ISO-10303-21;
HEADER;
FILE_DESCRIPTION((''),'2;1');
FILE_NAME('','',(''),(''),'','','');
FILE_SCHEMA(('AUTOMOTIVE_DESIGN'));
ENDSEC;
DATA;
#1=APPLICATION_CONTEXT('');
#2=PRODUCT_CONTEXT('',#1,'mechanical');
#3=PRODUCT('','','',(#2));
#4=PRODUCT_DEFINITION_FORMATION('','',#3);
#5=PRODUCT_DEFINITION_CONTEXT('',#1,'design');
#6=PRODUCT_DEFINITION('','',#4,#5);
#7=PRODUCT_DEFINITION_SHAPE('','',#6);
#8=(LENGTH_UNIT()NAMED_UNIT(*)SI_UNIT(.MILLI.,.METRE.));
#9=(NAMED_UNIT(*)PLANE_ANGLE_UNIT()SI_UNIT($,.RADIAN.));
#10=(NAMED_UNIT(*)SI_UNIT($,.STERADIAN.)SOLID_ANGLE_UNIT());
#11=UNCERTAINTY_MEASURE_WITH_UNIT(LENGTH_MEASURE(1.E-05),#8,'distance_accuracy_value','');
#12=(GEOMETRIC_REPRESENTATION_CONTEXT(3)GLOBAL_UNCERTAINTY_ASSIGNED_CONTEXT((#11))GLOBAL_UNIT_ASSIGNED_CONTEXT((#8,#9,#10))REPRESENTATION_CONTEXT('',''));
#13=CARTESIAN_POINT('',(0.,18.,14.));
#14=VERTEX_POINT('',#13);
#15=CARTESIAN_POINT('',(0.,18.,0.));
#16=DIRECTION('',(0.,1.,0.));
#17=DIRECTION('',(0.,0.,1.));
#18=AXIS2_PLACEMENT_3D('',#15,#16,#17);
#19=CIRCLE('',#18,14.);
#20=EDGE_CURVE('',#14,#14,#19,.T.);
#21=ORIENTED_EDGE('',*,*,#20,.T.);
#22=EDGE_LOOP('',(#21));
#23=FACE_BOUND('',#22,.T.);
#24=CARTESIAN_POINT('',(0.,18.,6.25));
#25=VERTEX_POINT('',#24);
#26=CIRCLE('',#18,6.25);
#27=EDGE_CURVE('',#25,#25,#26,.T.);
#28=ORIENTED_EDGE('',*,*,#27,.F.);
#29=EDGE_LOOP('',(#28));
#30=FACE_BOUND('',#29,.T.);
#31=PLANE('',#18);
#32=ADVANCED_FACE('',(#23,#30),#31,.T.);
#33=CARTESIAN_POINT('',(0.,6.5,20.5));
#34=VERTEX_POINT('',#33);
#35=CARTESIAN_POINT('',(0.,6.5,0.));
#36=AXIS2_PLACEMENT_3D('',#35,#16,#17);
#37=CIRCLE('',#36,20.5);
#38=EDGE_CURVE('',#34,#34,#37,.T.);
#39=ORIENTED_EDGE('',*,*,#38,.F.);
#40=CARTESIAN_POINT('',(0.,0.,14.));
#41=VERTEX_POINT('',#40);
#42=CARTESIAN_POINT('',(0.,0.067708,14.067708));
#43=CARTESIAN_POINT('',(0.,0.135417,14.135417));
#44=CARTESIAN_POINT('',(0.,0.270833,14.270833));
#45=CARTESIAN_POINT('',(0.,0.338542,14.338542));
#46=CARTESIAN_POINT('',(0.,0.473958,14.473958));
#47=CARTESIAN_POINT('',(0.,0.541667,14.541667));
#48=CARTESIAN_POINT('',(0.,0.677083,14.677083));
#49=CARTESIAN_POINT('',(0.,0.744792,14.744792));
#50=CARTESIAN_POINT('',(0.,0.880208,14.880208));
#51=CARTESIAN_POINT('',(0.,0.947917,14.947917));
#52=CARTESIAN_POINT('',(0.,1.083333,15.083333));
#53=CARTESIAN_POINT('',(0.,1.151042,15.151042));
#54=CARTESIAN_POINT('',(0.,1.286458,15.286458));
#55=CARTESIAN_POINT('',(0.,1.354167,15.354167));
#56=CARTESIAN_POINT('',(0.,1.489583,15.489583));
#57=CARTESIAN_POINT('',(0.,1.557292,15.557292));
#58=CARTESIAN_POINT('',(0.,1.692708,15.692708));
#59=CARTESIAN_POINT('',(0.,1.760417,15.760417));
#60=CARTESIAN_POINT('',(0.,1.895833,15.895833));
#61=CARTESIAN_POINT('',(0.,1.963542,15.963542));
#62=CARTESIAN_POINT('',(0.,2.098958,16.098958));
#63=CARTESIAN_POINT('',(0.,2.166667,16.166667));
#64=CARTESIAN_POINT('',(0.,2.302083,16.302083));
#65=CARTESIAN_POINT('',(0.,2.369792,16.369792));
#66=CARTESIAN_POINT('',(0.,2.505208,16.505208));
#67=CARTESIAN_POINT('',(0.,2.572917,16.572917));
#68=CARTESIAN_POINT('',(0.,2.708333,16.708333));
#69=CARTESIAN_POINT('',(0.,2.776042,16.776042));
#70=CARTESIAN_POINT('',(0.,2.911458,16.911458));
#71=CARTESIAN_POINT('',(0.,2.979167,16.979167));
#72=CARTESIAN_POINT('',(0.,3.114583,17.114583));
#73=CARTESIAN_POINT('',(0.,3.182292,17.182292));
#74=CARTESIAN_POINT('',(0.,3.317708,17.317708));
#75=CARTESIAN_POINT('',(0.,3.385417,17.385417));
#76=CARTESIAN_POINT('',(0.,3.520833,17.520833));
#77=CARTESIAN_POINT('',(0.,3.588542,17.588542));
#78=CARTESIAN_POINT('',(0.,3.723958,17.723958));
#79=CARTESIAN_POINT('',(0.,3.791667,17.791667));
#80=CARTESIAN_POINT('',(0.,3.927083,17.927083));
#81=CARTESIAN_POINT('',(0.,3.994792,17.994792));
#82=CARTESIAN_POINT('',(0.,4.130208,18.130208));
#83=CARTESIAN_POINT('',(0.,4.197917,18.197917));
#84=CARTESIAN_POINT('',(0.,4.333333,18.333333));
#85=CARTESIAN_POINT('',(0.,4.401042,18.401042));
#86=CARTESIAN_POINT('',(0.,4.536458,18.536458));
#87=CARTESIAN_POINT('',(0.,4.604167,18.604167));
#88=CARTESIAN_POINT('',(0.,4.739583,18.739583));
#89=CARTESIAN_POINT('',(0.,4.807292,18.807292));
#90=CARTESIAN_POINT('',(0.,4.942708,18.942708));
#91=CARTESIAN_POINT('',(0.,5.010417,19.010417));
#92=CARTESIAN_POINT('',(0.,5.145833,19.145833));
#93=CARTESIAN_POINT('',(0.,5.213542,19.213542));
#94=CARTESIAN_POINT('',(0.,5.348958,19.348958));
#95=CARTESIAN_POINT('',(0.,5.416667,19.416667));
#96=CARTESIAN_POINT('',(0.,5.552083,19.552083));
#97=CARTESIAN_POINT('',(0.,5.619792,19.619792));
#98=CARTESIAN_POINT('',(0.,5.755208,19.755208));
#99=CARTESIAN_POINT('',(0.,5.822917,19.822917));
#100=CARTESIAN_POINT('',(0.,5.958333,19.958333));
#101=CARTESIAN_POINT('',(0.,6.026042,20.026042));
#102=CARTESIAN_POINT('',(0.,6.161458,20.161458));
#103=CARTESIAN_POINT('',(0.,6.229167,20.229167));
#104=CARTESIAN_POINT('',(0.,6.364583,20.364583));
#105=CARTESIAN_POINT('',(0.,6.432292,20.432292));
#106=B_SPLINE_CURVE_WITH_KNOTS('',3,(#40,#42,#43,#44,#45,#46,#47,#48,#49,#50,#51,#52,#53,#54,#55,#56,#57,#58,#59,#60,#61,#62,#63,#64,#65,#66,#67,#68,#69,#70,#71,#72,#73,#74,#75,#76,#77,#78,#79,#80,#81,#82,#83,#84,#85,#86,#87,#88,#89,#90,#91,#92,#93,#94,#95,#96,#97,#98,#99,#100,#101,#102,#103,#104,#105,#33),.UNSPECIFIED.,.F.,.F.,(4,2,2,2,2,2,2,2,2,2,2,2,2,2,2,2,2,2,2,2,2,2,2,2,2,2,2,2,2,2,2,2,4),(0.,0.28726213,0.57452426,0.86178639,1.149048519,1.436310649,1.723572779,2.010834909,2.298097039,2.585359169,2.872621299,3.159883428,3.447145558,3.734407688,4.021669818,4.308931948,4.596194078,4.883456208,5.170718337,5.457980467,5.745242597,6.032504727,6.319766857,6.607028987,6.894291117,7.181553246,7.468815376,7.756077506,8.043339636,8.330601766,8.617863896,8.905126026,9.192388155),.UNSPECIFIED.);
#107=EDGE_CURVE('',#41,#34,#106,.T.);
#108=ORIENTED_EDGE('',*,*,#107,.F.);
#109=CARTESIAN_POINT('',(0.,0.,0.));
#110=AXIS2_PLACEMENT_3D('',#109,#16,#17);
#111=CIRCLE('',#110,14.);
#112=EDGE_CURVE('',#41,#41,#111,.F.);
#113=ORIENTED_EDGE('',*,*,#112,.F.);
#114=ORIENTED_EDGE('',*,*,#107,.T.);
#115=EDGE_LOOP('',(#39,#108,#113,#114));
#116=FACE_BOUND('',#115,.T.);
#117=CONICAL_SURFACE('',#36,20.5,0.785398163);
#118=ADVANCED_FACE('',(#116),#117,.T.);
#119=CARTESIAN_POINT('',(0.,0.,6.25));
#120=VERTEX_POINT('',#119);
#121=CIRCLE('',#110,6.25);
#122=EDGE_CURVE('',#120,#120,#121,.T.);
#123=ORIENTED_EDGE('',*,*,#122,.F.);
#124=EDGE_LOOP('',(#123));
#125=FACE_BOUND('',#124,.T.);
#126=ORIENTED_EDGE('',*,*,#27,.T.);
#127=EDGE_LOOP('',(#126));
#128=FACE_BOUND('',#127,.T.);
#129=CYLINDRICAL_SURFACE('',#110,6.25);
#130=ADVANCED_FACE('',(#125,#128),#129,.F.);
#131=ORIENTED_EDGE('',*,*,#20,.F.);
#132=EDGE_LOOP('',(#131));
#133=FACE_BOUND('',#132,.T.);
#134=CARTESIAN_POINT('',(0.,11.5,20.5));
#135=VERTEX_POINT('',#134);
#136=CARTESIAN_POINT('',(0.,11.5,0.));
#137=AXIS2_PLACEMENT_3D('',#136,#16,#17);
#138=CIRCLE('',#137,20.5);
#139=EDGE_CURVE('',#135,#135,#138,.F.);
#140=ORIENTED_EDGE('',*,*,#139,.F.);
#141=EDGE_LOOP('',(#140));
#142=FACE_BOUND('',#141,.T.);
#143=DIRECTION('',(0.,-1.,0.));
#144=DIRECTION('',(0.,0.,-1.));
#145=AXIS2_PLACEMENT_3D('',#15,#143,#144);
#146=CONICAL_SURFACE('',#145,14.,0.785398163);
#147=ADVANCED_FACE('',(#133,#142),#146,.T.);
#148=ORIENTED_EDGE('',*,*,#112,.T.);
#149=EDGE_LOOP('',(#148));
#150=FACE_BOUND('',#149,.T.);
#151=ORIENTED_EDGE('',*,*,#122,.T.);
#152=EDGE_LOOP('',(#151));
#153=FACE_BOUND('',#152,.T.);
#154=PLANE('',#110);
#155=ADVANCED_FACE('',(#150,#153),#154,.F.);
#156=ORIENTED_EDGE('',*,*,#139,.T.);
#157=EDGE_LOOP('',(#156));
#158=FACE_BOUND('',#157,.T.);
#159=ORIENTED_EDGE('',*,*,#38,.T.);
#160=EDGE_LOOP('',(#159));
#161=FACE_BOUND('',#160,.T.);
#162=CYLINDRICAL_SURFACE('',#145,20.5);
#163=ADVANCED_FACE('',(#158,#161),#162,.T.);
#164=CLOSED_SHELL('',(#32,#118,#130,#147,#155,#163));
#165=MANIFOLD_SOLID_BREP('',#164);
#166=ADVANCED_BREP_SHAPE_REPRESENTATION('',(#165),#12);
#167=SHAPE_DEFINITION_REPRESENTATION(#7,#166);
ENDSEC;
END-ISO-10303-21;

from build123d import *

# Parameters (mm, degrees)
SKETCH1_R           = 20.5
BOSS_EXTRUDE1_DEPTH = 18
CHAMFER1_SIZE       = 6.5
SKETCH2_R           = 6.25
CUT_EXTRUDE1_DEPTH  = 35.124771062


with BuildPart() as part:
    # Sketch1 → Boss-Extrude1 (new body)
    with BuildSketch(Plane(origin=(0, 0, 0), x_dir=(1, 0, 0), z_dir=(0, 1, 0))):
        with Locations(Location((0, 0, 0), (0, 0, 270))):
            Circle(SKETCH1_R)
    extrude(amount=BOSS_EXTRUDE1_DEPTH)

    # Chamfer1
    chamfer1_edges = [part.edges().sort_by_distance(p)[0] for p in [
        (0, 0, -20.5),
        (0, 18, -20.5),
    ]]
    chamfer(chamfer1_edges, length=CHAMFER1_SIZE)

    # Sketch2 → Cut-Extrude1 (cut, through all)
    with BuildSketch(Plane(origin=(0, 18, 0), x_dir=(1, 0, 0), z_dir=(0, 1, 0))):
        with Locations(Location((0, 0, 0), (0, 0, 270))):
            Circle(SKETCH2_R)
    extrude(amount=-CUT_EXTRUDE1_DEPTH, mode=Mode.SUBTRACT)


solid = part.part
